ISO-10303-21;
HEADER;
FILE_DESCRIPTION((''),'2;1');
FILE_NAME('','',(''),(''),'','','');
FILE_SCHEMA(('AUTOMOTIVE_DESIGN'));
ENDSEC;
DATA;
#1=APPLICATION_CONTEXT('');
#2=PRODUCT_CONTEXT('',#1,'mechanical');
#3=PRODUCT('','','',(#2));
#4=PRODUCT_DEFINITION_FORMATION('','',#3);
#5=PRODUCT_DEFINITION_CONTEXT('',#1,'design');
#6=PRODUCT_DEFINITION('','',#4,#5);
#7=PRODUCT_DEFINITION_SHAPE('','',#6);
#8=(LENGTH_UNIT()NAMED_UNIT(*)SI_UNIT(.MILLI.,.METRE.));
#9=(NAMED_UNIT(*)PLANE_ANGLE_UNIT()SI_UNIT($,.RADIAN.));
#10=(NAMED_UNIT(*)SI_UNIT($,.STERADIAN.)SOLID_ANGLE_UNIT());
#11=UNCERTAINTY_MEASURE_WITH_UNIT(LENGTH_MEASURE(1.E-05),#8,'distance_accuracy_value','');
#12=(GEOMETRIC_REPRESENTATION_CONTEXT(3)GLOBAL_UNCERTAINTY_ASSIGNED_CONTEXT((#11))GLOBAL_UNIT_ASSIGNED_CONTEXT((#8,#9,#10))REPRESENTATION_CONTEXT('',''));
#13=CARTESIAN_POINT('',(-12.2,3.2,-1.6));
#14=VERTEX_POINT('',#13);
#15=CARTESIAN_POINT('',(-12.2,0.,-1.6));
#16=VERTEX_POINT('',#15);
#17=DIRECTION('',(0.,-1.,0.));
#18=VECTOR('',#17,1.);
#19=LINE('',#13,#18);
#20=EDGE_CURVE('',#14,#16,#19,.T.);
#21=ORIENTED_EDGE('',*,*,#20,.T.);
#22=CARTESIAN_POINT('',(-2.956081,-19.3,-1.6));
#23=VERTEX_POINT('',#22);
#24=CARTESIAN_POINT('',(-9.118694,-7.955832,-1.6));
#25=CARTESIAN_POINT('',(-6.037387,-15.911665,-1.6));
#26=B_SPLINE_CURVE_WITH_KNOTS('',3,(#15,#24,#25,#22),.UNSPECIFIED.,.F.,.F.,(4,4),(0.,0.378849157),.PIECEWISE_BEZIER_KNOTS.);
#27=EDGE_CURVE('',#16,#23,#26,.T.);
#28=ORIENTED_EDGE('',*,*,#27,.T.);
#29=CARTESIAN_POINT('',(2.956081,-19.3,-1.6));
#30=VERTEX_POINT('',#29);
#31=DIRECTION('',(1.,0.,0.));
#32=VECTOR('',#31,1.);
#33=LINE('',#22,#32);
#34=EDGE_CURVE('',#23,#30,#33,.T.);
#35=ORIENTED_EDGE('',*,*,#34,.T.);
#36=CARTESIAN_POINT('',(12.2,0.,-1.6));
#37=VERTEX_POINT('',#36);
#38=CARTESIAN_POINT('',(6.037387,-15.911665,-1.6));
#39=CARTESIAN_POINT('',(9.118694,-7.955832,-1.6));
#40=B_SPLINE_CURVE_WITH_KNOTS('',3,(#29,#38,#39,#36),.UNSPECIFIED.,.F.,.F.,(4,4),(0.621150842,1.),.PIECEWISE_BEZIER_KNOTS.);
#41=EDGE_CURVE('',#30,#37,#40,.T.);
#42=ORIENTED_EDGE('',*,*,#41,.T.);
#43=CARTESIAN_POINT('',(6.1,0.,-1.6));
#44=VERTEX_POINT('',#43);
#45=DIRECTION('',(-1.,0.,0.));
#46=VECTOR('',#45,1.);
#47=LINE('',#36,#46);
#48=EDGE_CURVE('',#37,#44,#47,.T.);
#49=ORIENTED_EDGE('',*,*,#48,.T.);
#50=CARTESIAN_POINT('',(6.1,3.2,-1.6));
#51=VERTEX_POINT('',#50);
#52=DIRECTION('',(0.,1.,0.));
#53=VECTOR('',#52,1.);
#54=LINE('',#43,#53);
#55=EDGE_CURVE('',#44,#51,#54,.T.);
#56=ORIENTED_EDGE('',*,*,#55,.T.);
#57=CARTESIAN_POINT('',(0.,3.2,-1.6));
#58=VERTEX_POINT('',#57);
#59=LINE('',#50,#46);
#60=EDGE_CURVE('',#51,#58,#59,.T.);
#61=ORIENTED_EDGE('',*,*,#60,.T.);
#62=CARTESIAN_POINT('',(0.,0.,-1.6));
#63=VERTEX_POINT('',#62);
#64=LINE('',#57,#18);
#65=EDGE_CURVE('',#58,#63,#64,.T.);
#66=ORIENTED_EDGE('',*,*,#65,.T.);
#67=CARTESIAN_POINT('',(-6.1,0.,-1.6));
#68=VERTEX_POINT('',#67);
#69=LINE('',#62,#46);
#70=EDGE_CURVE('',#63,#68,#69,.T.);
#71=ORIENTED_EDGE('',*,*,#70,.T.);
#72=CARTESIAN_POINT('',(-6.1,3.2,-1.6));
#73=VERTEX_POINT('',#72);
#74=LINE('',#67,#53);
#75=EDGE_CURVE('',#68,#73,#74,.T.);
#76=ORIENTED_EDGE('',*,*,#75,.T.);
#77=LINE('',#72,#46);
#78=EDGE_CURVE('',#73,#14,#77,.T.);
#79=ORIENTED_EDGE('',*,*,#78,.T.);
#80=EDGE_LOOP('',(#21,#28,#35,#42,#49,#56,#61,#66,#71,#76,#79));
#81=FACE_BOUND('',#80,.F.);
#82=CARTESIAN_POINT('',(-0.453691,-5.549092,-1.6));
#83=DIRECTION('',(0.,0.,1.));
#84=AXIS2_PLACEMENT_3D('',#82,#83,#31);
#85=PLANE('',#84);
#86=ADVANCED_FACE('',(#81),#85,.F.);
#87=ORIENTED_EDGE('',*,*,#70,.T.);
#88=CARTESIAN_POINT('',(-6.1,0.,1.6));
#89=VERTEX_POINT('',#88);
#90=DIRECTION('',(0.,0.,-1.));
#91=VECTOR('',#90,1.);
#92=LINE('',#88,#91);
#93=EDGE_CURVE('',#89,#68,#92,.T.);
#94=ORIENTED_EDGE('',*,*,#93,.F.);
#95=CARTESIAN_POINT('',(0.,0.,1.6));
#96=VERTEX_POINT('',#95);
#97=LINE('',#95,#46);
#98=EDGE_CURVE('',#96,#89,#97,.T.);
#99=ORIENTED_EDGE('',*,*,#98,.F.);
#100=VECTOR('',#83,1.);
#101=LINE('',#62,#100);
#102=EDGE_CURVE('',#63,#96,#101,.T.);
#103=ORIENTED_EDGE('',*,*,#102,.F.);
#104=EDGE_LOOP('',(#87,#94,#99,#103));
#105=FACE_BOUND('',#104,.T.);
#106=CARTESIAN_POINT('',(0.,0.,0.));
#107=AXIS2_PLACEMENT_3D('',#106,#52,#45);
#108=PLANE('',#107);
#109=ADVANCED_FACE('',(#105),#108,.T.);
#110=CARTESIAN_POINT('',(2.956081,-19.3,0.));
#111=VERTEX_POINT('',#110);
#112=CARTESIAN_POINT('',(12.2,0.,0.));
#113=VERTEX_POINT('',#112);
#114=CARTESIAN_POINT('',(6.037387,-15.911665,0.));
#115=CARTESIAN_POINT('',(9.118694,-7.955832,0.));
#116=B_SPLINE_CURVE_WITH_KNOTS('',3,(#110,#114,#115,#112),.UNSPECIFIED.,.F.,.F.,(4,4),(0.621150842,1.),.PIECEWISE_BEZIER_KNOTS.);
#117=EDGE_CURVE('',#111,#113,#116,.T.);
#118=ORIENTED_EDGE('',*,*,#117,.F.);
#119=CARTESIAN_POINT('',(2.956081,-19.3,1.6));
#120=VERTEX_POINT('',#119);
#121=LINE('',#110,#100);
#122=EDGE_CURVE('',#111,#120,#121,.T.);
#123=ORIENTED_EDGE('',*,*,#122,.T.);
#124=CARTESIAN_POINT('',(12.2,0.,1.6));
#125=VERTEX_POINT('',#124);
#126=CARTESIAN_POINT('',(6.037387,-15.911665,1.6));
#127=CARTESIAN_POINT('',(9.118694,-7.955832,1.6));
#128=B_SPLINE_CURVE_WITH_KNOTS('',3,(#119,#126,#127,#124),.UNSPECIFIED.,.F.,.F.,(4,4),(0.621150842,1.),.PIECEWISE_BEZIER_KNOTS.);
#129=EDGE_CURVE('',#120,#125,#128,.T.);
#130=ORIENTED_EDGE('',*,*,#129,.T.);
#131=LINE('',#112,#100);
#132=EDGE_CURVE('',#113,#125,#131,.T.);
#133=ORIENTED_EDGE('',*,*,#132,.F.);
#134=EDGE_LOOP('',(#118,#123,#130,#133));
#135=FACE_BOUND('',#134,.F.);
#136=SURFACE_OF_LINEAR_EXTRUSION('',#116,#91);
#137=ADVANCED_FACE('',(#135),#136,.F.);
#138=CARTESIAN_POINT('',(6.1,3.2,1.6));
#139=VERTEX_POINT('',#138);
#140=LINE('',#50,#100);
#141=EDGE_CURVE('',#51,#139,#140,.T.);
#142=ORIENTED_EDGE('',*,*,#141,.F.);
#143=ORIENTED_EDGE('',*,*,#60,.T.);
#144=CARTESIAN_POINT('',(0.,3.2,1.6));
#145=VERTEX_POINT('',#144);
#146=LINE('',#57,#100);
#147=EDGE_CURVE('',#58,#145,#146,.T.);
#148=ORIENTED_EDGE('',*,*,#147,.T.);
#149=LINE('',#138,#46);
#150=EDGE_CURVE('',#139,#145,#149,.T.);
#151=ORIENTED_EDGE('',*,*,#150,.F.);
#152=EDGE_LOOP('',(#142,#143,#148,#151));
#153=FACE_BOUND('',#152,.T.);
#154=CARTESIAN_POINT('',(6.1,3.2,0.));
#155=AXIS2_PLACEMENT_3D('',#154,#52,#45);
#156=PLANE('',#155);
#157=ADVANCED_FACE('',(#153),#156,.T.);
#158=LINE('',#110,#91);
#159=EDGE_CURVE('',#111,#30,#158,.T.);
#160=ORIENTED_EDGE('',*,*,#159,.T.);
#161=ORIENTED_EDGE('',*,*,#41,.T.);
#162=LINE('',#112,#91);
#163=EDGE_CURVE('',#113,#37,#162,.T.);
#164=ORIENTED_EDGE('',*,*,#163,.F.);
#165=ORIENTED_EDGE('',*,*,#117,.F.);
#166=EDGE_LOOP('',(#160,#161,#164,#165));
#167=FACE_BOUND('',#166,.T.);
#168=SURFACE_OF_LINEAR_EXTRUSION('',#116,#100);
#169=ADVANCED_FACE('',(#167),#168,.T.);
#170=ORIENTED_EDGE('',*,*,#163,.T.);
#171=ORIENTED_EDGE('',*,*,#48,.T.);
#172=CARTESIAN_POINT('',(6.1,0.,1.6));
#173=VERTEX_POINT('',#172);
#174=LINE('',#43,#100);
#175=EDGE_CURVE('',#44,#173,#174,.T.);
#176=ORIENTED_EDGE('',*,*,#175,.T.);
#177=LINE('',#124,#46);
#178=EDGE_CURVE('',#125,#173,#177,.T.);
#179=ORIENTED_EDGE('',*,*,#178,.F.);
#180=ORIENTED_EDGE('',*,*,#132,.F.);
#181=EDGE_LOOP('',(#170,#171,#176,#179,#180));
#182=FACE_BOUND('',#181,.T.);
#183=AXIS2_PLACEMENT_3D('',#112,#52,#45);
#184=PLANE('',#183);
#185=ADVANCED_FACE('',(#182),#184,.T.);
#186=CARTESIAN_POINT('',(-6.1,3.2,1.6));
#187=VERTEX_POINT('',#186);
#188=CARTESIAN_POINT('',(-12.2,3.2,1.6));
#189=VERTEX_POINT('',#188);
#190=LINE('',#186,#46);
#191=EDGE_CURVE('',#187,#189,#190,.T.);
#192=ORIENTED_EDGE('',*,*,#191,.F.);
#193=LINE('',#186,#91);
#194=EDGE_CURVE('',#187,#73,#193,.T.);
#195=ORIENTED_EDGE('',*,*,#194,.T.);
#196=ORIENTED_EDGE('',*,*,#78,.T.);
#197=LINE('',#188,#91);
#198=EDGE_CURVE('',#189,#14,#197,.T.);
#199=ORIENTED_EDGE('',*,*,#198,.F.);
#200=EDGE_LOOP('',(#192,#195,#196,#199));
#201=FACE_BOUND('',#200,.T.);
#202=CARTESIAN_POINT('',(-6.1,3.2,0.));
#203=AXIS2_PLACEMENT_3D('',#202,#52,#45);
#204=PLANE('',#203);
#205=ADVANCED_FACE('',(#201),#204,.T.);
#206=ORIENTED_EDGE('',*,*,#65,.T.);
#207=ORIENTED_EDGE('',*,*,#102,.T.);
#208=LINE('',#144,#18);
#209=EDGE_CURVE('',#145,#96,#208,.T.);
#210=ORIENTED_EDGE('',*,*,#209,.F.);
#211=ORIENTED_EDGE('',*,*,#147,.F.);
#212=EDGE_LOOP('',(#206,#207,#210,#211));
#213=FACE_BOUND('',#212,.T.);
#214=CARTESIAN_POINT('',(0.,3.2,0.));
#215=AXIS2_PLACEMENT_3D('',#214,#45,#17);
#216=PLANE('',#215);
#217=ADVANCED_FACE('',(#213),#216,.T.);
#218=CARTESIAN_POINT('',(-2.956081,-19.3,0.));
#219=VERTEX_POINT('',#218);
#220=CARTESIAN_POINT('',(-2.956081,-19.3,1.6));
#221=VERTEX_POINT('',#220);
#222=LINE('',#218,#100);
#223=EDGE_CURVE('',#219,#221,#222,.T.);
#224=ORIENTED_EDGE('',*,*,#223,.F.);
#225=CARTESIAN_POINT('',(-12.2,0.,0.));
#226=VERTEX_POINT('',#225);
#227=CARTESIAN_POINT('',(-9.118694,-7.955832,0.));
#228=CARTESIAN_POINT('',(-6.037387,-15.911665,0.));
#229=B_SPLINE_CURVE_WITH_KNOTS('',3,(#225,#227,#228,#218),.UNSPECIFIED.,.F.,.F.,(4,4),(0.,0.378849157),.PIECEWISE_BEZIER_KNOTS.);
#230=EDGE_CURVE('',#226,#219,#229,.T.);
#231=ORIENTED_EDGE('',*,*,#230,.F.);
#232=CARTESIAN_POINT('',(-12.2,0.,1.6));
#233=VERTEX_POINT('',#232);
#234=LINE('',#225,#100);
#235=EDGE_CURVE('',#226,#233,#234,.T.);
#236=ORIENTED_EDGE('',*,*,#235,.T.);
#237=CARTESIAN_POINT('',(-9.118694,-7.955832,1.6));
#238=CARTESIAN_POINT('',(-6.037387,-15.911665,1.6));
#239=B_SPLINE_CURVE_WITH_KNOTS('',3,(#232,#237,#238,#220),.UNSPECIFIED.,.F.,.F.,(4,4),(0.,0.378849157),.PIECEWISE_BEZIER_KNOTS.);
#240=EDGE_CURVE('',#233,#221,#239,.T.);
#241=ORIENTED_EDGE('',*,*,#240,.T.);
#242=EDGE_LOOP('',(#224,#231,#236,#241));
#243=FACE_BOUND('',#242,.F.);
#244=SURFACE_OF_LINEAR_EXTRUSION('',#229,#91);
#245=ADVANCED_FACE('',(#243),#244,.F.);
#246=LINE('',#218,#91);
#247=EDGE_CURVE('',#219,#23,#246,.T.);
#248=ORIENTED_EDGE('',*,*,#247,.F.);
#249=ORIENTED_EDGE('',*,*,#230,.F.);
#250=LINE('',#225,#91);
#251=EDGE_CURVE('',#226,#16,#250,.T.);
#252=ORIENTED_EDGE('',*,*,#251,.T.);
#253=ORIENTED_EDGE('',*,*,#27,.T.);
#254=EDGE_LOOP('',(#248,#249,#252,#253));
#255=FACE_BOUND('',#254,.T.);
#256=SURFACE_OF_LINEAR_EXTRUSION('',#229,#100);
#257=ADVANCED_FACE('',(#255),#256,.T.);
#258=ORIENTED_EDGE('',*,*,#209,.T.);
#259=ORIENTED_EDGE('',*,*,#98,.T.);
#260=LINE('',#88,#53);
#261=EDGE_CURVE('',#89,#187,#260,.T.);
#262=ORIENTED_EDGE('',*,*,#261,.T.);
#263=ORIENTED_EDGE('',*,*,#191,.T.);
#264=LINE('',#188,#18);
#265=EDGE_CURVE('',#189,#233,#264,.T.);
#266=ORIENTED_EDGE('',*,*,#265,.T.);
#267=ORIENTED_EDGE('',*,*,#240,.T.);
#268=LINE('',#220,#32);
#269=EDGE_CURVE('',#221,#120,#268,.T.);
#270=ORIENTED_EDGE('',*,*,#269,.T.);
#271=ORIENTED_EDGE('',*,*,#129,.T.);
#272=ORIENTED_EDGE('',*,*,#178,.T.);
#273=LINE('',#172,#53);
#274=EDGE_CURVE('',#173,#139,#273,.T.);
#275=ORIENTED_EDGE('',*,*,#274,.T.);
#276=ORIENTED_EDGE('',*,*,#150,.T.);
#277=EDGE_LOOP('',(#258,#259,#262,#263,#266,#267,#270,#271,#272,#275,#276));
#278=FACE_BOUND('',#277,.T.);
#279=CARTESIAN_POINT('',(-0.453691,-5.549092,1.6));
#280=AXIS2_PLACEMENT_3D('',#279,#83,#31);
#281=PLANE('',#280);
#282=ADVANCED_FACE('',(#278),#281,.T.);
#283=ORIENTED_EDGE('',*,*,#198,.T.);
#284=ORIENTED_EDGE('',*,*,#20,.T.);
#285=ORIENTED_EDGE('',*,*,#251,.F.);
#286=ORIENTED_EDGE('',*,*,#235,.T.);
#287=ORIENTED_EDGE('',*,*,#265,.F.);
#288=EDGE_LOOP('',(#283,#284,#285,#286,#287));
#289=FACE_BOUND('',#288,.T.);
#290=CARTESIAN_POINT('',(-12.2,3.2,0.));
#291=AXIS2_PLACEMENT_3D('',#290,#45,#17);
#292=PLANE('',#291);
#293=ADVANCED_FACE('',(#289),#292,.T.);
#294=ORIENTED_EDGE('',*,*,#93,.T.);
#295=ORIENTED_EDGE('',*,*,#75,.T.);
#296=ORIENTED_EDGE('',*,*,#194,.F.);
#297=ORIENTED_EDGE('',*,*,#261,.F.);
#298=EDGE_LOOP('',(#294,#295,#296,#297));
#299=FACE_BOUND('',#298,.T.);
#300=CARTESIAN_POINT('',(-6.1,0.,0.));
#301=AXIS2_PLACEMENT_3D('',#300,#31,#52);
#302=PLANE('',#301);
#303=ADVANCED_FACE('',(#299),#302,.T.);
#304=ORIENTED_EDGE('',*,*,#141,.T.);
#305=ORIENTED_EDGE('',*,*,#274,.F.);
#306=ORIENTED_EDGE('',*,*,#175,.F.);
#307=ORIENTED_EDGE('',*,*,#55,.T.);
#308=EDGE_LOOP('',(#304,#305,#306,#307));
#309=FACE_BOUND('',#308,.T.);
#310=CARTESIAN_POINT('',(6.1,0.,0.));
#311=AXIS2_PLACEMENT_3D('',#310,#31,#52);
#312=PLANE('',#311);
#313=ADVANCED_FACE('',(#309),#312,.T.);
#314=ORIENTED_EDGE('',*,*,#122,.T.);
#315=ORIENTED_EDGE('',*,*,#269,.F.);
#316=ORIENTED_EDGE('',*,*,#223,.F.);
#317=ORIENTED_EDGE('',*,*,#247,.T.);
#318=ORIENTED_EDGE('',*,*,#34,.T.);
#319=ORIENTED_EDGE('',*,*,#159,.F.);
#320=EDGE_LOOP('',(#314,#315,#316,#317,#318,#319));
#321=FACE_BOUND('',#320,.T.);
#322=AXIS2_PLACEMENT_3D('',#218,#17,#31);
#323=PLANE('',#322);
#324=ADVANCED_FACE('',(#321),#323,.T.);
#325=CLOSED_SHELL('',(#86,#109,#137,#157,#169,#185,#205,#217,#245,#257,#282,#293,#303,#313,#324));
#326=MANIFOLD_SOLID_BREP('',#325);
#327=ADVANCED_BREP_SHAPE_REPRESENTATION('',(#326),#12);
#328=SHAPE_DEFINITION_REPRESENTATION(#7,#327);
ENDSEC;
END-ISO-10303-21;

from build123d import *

# Parameters (mm, degrees)
F1_DEPTH = 1.6


with BuildPart() as f1:
    # F0 (on Top) → F1 (new body, symmetric)
    with BuildSketch(Plane.XY):
        with BuildLine():
            Line((-12.2, 3.2), (-12.2, 0))
            add(Edge.make_bspline(
                [(-12.2, 0), (-9.118693519, -7.9558323076), (-6.0373870379, -15.9116646152), (-2.9560805569, -19.3)],
                knots=[0, 0, 0, 0, 0.3788491575, 0.3788491575, 0.3788491575, 0.3788491575], degree=3))
            Line((-2.9560805569, -19.3), (2.9560805569, -19.3))
            add(Edge.make_bspline(
                [(2.9560805569, -19.3), (6.0373870379, -15.9116646152), (9.118693519, -7.9558323076), (12.2, 0)],
                knots=[0.6211508425, 0.6211508425, 0.6211508425, 0.6211508425, 1, 1, 1, 1], degree=3))
            Line((12.2, 0), (6.1, 0))
            Line((6.1, 0), (6.1, 3.2))
            Line((6.1, 3.2), (0, 3.2))
            Line((0, 3.2), (0, 0))
            Line((0, 0), (-6.1, 0))
            Line((-6.1, 0), (-6.1, 3.2))
            Line((-6.1, 3.2), (-12.2, 3.2))
        make_face()
    extrude(amount=F1_DEPTH, both=True)


solid = f1.part
